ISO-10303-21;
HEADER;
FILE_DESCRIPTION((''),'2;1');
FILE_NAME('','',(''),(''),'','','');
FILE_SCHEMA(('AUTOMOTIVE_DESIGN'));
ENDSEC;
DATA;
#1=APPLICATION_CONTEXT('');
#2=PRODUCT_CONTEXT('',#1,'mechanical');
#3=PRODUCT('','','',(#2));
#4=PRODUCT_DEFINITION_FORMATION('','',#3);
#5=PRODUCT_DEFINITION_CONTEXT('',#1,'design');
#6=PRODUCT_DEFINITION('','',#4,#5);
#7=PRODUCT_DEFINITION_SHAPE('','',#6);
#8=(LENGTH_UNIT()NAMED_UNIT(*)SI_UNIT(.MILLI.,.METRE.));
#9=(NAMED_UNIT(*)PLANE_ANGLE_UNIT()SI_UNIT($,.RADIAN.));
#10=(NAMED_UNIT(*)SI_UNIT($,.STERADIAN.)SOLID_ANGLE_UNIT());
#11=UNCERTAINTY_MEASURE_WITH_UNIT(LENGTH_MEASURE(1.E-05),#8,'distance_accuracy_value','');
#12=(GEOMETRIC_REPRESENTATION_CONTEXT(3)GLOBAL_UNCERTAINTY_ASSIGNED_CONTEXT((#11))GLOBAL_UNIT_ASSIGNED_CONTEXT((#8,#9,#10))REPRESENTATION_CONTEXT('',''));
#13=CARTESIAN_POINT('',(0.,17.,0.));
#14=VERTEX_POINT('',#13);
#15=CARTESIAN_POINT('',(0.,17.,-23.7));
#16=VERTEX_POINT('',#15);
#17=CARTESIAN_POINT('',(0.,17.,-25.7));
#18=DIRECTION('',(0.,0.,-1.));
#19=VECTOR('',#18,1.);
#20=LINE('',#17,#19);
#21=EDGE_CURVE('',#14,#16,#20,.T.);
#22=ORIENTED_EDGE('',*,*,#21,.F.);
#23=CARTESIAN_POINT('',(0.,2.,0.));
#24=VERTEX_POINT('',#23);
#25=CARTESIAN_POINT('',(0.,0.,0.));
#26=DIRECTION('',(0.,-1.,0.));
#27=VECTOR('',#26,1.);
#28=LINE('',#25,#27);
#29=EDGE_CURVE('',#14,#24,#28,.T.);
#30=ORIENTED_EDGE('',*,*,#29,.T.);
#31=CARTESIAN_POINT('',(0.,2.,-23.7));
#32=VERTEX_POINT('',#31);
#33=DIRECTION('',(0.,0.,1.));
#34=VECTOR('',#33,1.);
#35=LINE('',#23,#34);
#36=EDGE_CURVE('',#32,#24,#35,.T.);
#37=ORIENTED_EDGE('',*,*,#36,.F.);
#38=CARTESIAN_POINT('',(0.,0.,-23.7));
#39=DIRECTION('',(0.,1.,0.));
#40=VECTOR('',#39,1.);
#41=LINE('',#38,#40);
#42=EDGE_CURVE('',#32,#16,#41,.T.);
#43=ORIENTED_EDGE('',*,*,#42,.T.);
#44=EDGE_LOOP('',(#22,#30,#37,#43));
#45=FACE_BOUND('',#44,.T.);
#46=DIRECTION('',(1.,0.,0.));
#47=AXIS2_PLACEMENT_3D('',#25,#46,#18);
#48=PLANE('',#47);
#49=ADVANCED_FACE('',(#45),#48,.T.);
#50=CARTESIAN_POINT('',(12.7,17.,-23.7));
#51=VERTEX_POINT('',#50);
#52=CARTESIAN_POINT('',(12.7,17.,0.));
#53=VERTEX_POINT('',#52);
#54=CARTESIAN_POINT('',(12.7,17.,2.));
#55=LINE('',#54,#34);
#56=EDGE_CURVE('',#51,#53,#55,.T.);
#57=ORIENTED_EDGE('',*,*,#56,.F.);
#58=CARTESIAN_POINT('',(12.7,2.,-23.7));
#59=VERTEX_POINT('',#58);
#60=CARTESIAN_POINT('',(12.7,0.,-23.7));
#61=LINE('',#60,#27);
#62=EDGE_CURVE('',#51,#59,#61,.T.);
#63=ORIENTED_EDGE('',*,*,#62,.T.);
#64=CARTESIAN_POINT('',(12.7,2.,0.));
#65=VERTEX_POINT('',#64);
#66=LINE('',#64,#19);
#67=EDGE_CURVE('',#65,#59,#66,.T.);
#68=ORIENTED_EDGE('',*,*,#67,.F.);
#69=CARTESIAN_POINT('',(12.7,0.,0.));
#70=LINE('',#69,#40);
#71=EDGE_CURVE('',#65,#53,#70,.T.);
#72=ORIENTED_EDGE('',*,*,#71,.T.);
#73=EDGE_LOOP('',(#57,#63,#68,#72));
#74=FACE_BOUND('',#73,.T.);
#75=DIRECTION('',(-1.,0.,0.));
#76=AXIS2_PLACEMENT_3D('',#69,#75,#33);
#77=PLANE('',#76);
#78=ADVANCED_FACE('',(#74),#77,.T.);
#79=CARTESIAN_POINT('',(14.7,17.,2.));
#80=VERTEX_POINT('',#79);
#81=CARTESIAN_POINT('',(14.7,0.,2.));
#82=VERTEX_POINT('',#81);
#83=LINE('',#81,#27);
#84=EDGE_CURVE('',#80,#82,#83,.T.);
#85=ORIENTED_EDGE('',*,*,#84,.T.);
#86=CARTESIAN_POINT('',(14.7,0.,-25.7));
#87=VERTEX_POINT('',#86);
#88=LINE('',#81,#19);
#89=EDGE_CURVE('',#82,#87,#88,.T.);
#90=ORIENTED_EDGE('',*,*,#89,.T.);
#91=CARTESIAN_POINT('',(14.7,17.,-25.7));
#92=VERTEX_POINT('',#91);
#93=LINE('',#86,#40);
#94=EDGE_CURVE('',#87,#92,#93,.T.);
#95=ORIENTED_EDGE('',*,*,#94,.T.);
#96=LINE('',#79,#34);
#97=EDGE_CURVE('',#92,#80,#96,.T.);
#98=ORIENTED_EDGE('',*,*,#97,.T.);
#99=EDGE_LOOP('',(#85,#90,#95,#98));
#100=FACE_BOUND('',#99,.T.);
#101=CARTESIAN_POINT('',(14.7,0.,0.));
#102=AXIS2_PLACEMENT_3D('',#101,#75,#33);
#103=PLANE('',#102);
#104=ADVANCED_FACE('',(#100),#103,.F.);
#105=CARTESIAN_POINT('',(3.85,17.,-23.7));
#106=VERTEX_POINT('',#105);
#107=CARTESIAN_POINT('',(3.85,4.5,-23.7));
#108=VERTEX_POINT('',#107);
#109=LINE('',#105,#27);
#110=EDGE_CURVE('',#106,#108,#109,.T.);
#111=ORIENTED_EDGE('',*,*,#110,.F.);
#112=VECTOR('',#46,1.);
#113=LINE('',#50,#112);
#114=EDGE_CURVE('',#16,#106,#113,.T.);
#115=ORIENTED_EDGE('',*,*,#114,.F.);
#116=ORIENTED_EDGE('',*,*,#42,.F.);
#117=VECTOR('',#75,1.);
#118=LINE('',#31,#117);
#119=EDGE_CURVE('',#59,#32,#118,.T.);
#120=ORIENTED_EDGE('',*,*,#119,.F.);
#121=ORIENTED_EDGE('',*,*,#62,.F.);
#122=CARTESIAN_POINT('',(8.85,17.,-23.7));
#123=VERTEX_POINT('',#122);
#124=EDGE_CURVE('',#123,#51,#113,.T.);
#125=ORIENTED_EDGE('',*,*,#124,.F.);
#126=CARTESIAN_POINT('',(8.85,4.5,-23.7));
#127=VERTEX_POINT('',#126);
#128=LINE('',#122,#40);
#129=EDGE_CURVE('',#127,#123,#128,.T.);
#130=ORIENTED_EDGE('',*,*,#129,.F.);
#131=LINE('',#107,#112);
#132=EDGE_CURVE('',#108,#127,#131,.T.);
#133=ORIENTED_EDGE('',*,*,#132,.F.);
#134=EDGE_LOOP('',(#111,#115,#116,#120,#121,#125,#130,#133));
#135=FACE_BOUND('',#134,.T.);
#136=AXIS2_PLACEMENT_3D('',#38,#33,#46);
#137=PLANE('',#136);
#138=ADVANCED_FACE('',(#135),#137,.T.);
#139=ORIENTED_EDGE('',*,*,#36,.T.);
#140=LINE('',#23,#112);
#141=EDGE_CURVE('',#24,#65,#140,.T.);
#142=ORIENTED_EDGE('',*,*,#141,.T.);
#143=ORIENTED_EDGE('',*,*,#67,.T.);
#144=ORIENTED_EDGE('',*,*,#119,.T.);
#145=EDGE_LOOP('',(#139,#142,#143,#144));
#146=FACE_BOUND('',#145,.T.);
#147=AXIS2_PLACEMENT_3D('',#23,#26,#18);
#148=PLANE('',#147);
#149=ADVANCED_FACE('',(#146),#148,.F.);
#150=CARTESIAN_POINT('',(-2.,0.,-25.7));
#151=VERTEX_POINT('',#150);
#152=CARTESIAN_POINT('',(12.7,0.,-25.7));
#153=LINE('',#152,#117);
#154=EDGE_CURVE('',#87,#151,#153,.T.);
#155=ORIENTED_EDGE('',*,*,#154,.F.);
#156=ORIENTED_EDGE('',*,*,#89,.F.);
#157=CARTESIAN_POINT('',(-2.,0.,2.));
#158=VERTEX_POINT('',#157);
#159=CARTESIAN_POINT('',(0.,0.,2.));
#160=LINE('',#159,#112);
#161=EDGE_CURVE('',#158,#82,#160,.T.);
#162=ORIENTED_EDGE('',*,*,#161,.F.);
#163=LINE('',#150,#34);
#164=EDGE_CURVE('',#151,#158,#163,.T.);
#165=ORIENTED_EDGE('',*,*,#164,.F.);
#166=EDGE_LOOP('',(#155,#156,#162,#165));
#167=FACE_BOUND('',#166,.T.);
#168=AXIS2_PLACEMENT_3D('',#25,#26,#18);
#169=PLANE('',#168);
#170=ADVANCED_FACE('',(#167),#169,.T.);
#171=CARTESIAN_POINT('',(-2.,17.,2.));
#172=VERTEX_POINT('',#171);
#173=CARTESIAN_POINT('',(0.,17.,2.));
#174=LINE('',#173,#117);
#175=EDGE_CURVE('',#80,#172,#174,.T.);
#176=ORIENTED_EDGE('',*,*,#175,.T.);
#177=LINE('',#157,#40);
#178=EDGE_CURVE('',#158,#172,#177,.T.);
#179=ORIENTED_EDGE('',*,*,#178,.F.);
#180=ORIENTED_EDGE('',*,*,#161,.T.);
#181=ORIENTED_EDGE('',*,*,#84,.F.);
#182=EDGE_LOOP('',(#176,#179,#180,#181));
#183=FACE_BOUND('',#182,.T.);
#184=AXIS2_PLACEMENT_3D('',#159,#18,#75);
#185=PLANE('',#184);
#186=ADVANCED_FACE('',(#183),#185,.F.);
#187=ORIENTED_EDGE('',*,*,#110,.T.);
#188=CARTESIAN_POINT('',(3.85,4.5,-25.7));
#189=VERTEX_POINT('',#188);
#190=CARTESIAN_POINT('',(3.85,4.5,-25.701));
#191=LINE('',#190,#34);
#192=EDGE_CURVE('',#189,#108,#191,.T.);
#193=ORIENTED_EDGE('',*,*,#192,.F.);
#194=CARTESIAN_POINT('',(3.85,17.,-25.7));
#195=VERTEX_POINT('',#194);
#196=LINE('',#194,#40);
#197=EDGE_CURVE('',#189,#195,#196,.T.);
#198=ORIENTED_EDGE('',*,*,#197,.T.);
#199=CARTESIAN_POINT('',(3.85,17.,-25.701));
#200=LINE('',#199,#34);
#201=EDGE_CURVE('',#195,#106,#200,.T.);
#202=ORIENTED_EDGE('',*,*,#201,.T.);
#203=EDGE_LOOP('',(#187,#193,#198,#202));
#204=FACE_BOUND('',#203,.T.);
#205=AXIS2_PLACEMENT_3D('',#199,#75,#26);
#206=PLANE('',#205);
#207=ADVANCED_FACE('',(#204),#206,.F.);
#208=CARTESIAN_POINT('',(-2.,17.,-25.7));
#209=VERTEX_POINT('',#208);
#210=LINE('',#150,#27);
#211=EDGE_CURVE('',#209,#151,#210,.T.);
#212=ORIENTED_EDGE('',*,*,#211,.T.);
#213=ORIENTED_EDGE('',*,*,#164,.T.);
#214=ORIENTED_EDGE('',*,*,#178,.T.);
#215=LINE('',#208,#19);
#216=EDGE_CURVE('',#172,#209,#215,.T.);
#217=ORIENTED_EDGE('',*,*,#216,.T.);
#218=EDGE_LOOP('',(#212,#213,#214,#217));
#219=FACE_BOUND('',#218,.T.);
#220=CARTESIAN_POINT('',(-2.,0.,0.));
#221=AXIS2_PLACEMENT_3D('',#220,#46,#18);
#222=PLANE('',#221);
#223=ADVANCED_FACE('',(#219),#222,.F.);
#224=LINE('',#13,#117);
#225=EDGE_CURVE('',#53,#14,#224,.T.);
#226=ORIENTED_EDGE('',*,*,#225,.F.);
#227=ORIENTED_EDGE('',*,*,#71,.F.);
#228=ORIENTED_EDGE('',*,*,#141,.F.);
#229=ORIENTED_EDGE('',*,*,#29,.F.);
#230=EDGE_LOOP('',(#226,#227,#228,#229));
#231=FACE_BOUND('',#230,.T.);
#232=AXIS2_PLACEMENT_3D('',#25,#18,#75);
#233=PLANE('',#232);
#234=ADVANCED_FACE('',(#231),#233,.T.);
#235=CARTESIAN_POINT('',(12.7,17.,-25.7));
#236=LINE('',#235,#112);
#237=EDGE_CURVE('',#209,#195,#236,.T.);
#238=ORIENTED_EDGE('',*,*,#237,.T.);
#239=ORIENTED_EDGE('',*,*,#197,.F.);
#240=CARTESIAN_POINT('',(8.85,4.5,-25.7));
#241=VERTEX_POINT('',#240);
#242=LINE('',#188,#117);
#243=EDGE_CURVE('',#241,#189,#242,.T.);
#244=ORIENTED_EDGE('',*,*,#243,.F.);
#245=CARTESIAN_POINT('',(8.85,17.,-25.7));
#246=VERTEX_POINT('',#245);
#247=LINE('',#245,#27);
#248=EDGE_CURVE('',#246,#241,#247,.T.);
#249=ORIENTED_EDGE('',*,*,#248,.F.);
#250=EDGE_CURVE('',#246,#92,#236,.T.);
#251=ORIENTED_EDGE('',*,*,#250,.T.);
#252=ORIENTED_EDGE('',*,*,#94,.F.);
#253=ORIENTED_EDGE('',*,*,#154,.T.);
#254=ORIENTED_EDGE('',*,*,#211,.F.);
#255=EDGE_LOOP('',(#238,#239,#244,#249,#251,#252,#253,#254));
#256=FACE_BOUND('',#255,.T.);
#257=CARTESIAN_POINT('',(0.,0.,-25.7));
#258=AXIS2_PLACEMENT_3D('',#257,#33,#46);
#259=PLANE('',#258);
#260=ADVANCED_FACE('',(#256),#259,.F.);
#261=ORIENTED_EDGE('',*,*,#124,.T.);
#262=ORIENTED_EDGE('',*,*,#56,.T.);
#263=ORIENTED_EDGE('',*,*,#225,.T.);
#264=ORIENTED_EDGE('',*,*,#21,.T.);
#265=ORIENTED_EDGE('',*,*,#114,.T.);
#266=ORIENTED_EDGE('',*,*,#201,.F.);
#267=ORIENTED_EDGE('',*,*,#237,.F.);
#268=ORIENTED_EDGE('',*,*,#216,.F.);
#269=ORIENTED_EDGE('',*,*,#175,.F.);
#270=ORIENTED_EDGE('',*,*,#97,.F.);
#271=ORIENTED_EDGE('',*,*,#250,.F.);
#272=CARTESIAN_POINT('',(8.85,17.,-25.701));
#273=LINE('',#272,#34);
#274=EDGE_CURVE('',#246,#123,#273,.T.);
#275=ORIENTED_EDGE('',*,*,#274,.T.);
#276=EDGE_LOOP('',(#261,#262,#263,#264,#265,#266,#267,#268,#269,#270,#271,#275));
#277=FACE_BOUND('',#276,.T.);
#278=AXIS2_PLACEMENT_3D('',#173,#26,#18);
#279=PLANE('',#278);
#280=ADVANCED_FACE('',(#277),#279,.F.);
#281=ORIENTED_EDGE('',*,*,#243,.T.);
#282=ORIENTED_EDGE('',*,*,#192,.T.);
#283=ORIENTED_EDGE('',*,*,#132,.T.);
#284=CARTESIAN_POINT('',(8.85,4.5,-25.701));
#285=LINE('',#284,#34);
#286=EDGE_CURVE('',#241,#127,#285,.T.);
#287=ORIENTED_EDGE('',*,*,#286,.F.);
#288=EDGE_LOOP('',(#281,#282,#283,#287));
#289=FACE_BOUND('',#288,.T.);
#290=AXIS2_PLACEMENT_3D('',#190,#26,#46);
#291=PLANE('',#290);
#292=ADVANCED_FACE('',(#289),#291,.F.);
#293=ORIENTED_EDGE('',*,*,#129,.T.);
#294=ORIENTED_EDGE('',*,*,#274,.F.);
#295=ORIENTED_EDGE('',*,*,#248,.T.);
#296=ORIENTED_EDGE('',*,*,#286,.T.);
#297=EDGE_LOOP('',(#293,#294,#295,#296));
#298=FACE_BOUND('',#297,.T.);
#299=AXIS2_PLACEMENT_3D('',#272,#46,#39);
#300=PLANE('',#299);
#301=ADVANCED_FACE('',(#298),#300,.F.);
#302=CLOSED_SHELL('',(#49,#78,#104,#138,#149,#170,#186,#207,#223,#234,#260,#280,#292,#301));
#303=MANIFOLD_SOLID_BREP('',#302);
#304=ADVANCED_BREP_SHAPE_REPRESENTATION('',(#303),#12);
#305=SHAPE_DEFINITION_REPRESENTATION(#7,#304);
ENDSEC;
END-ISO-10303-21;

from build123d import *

# Parameters (mm, degrees)
SKETCH1_W           = 12.7
SKETCH1_H           = 23.7
BOSS_EXTRUDE1_DEPTH = 2
SKETCH2_W           = 12.7
SKETCH2_H           = 17
BOSS_EXTRUDE2_DEPTH = 2
SKETCH3_W           = 12.7
SKETCH3_H           = 17
BOSS_EXTRUDE3_DEPTH = 2
SKETCH4_W           = 27.7
SKETCH4_H           = 17
BOSS_EXTRUDE4_DEPTH = 2
SKETCH5_W           = 27.7
SKETCH5_H           = 17
BOSS_EXTRUDE5_DEPTH = 2
CUT_EXTRUDE2_REACH  = 36.141
SKETCH7_W           = 5
SKETCH7_H           = 12.5


with BuildPart() as part:
    # Sketch1 → Boss-Extrude1 (new body)
    with BuildSketch(Plane(origin=(0, 0, 0), x_dir=(1, 0, 0), z_dir=(0, 1, 0))):
        with Locations((6.35, 11.85)):
            Rectangle(SKETCH1_W, SKETCH1_H)
    extrude(amount=BOSS_EXTRUDE1_DEPTH)

    # Sketch2 → Boss-Extrude2 (add)
    with BuildSketch(Plane.XY):
        with Locations((6.35, 8.5)):
            Rectangle(SKETCH2_W, SKETCH2_H)
    extrude(amount=BOSS_EXTRUDE2_DEPTH)

    # Sketch3 → Boss-Extrude3 (add)
    with BuildSketch(Plane(origin=(0, 0, -23.7), x_dir=(-1, 0, 0), z_dir=(0, 0, -1))):
        with Locations((-6.35, 8.5)):
            Rectangle(SKETCH3_W, SKETCH3_H)
    extrude(amount=BOSS_EXTRUDE3_DEPTH)

    # Sketch4 → Boss-Extrude4 (add)
    with BuildSketch(Plane(origin=(12.7, 0, 0), x_dir=(0, 0, -1), z_dir=(1, 0, 0))):
        with Locations((11.85, 8.5)):
            Rectangle(SKETCH4_W, SKETCH4_H)
    extrude(amount=BOSS_EXTRUDE4_DEPTH)

    # Sketch5 → Boss-Extrude5 (add)
    with BuildSketch(Plane.ZY):
        with Locations((-11.85, 8.5)):
            Rectangle(SKETCH5_W, SKETCH5_H)
    extrude(amount=BOSS_EXTRUDE5_DEPTH)

    # Sketch7 → Cut-Extrude2 (cut, up to next)
    with BuildSketch(Plane.XY.offset(-23.7), mode=Mode.PRIVATE) as cut_extrude2_sk1:
        with Locations((6.35, 10.75)):
            Rectangle(SKETCH7_W, SKETCH7_H)
    cut_extrude2_tool1 = extrude(cut_extrude2_sk1.sketch, amount=-CUT_EXTRUDE2_REACH, mode=Mode.PRIVATE) & part.part
    add(cut_extrude2_tool1.solids().sort_by_distance((6.35, 10.75, -23.7))[0], mode=Mode.SUBTRACT)


solid = part.part
